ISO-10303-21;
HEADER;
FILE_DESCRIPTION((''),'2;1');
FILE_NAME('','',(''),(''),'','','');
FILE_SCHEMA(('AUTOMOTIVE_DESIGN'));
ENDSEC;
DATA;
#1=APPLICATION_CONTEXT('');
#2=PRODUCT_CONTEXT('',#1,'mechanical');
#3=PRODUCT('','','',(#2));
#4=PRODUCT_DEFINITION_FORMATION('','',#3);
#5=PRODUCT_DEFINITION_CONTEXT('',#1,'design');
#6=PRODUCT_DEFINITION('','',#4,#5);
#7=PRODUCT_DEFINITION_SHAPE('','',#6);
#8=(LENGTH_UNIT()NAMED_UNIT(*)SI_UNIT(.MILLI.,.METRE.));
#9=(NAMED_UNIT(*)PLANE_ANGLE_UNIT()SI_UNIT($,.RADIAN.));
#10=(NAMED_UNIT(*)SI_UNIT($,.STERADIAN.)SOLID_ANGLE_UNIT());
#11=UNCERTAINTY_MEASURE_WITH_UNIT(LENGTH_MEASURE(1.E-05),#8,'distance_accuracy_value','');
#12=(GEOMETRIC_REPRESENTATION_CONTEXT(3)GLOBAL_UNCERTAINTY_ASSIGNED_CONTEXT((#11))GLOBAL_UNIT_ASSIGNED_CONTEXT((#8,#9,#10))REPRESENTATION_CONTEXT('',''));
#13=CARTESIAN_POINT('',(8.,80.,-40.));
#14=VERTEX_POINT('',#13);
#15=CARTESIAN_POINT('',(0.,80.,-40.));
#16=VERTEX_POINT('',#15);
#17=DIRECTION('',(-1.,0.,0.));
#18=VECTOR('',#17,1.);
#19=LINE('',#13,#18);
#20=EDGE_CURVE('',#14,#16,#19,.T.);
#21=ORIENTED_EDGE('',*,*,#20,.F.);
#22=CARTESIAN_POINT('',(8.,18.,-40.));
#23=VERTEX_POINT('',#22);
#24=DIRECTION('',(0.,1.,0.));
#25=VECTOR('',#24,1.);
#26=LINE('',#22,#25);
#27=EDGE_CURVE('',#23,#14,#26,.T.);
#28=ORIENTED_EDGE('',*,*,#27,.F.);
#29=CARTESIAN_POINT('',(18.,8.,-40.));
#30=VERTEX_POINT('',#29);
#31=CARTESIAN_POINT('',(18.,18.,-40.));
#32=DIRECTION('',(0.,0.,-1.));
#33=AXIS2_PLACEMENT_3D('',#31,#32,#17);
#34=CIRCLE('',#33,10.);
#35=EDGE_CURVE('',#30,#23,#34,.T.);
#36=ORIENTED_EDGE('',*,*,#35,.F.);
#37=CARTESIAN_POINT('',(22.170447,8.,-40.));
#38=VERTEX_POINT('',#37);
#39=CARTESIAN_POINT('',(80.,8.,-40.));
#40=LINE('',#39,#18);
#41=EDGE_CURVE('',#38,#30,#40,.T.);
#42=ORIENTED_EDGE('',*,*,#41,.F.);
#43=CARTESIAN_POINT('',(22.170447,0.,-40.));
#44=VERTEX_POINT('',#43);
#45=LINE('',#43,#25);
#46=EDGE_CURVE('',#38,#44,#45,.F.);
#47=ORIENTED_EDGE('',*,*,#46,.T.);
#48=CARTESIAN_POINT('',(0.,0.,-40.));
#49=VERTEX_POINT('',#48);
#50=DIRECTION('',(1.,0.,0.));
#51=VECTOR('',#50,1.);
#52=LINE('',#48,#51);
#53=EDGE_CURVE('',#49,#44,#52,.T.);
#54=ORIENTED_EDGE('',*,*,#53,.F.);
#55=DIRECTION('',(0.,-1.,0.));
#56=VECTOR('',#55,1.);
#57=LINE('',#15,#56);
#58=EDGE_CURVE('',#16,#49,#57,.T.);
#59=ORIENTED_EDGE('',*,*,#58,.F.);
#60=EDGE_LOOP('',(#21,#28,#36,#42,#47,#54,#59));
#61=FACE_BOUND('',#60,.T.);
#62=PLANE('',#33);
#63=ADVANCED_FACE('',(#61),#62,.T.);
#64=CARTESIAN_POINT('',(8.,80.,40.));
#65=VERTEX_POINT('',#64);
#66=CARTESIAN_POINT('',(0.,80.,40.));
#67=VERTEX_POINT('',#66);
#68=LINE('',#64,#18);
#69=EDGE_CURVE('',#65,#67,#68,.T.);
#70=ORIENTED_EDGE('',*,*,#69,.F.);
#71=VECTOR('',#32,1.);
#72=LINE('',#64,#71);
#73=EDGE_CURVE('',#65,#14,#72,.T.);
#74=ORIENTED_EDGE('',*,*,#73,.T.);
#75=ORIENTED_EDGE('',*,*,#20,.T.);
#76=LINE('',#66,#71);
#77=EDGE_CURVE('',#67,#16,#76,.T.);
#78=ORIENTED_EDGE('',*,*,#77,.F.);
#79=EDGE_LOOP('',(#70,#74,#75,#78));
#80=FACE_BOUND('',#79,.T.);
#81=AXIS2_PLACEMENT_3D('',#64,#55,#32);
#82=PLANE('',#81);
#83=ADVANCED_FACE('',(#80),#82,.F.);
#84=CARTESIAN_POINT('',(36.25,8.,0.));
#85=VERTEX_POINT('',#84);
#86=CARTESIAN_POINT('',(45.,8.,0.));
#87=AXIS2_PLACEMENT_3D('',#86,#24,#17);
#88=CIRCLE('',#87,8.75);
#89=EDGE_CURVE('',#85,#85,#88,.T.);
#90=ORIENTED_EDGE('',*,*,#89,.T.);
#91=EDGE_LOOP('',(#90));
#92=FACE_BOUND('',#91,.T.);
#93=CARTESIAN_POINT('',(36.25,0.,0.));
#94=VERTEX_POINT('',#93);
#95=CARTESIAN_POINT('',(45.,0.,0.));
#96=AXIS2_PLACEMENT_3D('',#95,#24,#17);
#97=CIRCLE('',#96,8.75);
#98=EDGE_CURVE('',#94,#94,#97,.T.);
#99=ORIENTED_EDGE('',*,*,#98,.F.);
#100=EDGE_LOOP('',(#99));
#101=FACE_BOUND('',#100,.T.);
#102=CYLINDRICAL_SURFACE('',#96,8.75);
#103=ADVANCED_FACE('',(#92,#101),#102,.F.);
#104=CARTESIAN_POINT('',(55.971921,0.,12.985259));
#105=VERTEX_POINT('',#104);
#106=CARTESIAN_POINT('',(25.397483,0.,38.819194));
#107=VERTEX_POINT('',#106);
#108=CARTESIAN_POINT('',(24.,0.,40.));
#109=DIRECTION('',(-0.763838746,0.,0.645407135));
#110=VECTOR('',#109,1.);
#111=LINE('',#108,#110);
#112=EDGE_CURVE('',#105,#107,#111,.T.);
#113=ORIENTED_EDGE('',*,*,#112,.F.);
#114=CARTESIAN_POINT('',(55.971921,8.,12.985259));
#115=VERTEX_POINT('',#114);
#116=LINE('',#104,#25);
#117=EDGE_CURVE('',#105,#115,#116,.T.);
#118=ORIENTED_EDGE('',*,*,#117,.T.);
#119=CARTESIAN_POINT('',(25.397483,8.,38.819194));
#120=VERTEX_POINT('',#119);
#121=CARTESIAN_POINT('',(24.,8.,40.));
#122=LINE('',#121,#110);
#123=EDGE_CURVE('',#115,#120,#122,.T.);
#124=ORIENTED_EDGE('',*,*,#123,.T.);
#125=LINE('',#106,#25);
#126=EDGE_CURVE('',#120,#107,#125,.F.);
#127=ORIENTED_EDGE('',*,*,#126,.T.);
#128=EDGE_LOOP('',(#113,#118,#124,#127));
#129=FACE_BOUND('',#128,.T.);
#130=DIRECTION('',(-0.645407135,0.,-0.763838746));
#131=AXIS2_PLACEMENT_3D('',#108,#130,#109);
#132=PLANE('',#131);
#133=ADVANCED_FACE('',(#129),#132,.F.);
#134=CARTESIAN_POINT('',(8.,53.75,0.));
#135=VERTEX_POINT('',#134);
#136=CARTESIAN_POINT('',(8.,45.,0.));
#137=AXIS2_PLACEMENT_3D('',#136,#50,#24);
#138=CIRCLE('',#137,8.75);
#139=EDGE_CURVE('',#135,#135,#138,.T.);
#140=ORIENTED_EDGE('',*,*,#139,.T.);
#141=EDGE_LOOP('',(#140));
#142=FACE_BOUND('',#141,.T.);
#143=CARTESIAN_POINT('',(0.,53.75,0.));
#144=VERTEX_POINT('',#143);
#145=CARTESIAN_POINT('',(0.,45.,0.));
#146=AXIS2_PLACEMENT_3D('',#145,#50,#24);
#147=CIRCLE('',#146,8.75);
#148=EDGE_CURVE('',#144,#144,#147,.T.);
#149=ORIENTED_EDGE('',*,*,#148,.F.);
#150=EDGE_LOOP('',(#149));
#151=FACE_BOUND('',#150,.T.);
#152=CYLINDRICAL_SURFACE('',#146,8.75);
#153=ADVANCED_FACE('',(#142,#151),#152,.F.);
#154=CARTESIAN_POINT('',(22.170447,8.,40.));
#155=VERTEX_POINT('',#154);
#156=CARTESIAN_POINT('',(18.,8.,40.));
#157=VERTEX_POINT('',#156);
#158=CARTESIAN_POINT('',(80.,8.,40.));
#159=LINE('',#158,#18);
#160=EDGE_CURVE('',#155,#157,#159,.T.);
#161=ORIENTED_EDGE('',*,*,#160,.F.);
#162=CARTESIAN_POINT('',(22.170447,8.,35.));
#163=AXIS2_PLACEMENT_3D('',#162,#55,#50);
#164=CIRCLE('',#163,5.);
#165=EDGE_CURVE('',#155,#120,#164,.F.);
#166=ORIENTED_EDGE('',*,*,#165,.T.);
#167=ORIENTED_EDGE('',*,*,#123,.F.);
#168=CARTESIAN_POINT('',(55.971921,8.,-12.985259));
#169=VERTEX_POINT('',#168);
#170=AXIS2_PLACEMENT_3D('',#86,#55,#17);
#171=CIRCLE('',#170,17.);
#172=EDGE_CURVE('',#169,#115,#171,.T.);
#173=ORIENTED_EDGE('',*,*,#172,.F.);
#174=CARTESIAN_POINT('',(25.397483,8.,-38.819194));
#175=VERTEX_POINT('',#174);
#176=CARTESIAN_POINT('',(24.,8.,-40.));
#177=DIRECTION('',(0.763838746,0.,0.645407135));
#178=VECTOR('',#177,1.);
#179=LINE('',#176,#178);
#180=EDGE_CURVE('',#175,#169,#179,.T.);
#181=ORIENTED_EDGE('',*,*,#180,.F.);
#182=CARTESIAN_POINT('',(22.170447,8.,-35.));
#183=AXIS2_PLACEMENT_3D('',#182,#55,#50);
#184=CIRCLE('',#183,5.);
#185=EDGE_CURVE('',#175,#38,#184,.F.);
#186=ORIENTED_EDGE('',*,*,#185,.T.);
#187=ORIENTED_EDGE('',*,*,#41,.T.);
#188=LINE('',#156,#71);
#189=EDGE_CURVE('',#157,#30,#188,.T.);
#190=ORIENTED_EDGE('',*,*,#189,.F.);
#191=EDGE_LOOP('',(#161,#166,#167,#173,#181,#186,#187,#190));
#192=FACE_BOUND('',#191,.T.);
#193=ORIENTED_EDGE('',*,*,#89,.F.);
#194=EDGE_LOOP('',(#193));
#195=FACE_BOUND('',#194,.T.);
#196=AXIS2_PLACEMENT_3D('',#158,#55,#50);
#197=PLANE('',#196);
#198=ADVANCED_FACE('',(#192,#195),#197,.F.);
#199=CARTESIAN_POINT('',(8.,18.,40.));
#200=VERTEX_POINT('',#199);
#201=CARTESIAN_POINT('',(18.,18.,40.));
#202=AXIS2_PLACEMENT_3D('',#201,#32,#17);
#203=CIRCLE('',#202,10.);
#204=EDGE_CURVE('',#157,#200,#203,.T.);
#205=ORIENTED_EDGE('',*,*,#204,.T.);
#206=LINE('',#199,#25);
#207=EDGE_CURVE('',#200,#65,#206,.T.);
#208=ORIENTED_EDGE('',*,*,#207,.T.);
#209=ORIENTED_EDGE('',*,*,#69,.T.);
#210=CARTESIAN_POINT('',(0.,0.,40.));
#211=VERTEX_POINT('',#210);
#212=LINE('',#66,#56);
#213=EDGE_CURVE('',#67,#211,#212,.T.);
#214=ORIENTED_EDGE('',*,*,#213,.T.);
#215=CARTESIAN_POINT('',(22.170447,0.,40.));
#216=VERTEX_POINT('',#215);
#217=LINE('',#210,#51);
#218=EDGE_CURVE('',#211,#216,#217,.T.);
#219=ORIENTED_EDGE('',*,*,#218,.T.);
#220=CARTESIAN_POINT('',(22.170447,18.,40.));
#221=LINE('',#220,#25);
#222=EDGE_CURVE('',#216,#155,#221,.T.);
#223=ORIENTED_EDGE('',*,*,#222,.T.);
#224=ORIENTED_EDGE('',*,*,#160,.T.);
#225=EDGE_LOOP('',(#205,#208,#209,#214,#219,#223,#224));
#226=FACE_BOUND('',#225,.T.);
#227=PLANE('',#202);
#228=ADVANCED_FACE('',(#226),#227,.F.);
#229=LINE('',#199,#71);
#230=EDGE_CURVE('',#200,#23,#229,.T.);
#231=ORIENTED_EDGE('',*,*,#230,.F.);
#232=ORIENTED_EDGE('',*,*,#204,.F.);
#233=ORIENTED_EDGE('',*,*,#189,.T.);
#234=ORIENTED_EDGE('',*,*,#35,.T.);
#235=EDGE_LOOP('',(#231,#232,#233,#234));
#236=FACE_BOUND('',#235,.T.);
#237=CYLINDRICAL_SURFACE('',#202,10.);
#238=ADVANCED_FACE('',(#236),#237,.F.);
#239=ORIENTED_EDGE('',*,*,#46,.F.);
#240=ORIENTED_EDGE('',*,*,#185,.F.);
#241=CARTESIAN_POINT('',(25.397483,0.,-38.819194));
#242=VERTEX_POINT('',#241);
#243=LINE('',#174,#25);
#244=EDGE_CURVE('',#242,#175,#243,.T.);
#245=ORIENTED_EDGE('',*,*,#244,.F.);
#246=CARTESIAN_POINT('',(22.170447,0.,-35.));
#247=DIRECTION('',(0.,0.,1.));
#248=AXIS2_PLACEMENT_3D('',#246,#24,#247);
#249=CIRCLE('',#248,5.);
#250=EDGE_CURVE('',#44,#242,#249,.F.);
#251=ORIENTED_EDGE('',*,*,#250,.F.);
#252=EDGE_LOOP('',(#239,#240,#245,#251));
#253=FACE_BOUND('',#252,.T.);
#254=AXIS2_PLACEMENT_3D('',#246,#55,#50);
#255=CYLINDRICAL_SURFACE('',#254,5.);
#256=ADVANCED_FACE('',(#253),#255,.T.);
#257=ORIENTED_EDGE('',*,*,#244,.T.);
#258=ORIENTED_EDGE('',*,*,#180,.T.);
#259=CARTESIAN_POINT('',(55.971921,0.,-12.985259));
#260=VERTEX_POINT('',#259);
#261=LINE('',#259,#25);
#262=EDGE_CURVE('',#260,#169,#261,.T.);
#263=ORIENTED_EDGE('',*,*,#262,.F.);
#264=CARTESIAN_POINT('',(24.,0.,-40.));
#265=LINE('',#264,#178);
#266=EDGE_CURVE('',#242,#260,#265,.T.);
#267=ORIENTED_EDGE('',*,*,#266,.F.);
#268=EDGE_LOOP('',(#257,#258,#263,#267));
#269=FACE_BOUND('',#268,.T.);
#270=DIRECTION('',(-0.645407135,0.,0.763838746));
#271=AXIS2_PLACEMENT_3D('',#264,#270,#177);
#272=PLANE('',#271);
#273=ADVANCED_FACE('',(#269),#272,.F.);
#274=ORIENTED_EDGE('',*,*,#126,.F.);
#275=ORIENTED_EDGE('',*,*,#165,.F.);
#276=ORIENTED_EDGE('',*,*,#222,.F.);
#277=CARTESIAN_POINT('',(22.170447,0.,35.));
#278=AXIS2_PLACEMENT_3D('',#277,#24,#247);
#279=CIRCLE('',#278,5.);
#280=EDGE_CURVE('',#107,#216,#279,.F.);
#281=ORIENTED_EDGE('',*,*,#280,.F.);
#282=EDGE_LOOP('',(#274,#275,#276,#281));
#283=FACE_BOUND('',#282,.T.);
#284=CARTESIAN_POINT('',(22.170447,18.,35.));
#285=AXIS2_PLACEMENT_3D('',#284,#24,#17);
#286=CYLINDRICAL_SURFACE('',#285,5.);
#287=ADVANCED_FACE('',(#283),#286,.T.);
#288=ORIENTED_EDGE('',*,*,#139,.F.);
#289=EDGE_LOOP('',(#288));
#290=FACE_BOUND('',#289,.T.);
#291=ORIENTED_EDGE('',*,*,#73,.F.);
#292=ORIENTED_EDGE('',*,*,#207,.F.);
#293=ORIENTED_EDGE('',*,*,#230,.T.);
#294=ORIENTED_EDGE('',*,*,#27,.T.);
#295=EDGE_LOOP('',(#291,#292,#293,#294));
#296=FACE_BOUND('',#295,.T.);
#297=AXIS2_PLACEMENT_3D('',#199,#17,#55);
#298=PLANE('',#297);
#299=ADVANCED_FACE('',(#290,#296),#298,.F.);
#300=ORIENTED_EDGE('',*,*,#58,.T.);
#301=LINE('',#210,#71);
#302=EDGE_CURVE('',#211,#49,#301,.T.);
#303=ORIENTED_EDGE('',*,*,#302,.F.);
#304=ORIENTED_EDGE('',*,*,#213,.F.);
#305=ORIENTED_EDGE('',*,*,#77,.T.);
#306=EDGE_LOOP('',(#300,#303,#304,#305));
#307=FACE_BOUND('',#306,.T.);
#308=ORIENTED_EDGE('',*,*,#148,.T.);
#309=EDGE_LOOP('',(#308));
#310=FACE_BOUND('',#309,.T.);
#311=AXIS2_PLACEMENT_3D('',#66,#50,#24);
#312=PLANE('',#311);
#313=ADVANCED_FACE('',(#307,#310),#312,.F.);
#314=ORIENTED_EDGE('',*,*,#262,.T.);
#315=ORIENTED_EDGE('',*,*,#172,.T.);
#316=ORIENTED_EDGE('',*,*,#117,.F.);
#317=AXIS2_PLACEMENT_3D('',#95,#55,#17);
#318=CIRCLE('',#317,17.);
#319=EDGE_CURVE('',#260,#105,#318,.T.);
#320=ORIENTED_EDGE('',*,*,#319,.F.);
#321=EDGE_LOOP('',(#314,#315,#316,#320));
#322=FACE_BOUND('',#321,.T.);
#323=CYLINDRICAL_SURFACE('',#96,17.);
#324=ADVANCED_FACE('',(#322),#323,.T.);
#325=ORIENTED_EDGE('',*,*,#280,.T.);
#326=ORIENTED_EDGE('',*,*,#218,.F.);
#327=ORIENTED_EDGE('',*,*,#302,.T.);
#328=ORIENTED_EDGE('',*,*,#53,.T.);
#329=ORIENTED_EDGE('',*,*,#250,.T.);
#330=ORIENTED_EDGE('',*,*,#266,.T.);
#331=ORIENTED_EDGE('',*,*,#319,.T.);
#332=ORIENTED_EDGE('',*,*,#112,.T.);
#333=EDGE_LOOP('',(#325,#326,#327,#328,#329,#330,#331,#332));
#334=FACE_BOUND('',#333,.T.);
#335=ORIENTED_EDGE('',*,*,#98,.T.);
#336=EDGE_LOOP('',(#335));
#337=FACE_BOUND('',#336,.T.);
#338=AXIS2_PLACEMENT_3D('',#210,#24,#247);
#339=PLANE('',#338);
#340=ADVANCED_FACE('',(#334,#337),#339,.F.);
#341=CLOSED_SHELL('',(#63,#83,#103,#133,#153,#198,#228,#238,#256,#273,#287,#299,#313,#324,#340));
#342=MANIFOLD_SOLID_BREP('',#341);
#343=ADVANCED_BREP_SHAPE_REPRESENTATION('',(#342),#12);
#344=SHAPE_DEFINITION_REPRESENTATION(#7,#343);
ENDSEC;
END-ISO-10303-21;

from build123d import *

# Parameters (mm, degrees)
AUFSATZ_AUFTRAGEN_MAIN_BODY_DEPTH = 40
SKIZZE3_R                         = 8.75
BOHRUNG_HORIZONTAL_DEPTH          = 115.821600755
SKIZZE4_R                         = 8.75
BOHRUNG_VERTIKAL_DEPTH            = 115.821600755
LINEAR_AUSTRAGEN_DEPTH            = 115.821600755
VERRUNDUNG_R                      = 5


with BuildPart() as part:
    # Skizze1 → Aufsatz Auftragen Main Body (new, symmetric)
    with BuildSketch(Plane.XY):
        with BuildLine():
            Line((0, 0), (80, 0))
            Line((80, 0), (80, 8))
            Line((80, 8), (18, 8))
            ThreePointArc((18, 8), (10.928932188, 10.928932188), (8, 18))
            Line((8, 18), (8, 80))
            Line((8, 80), (0, 80))
            Line((0, 80), (0, 0))
        make_face()
    extrude(amount=AUFSATZ_AUFTRAGEN_MAIN_BODY_DEPTH, both=True)

    # Skizze3 → Bohrung Horizontal (cut, through all)
    with BuildSketch(Plane(origin=(0, 8, 0), x_dir=(1, 0, 0), z_dir=(0, 1, 0))):
        with Locations(Location((45, 0, 0), (0, 0, 180))):
            Circle(SKIZZE3_R)
    extrude(amount=-BOHRUNG_HORIZONTAL_DEPTH, mode=Mode.SUBTRACT)

    # Skizze4 → Bohrung Vertikal (cut, through all)
    with BuildSketch(Plane(origin=(8, 0, 0), x_dir=(0, 0, -1), z_dir=(1, 0, 0))):
        with Locations(Location((0, 45, 0), (0, 0, 90))):
            Circle(SKIZZE4_R)
    extrude(amount=-BOHRUNG_VERTIKAL_DEPTH, mode=Mode.SUBTRACT)

    # Skizze5 → Linear Austragen (cut, through all)
    with BuildSketch(Plane(origin=(0, 8, 0), x_dir=(1, 0, 0), z_dir=(0, 1, 0))):
        with BuildLine():
            Line((24, -40), (55.971921298, -12.985258682))
            ThreePointArc((55.971921298, -12.985258682), (62, 0), (55.971921298, 12.985258682))
            Line((55.971921298, 12.985258682), (24, 40))
            Line((24, 40), (80, 40))
            Line((80, 40), (80, -40))
            Line((80, -40), (24, -40))
        make_face()
    extrude(amount=-LINEAR_AUSTRAGEN_DEPTH, mode=Mode.SUBTRACT)

    # Verrundung
    verrundung_edges = [part.edges().sort_by_distance(p)[0] for p in [
        (24, 4, 40),
        (24, 4, -40),
    ]]
    fillet(verrundung_edges, radius=VERRUNDUNG_R)


solid = part.part
